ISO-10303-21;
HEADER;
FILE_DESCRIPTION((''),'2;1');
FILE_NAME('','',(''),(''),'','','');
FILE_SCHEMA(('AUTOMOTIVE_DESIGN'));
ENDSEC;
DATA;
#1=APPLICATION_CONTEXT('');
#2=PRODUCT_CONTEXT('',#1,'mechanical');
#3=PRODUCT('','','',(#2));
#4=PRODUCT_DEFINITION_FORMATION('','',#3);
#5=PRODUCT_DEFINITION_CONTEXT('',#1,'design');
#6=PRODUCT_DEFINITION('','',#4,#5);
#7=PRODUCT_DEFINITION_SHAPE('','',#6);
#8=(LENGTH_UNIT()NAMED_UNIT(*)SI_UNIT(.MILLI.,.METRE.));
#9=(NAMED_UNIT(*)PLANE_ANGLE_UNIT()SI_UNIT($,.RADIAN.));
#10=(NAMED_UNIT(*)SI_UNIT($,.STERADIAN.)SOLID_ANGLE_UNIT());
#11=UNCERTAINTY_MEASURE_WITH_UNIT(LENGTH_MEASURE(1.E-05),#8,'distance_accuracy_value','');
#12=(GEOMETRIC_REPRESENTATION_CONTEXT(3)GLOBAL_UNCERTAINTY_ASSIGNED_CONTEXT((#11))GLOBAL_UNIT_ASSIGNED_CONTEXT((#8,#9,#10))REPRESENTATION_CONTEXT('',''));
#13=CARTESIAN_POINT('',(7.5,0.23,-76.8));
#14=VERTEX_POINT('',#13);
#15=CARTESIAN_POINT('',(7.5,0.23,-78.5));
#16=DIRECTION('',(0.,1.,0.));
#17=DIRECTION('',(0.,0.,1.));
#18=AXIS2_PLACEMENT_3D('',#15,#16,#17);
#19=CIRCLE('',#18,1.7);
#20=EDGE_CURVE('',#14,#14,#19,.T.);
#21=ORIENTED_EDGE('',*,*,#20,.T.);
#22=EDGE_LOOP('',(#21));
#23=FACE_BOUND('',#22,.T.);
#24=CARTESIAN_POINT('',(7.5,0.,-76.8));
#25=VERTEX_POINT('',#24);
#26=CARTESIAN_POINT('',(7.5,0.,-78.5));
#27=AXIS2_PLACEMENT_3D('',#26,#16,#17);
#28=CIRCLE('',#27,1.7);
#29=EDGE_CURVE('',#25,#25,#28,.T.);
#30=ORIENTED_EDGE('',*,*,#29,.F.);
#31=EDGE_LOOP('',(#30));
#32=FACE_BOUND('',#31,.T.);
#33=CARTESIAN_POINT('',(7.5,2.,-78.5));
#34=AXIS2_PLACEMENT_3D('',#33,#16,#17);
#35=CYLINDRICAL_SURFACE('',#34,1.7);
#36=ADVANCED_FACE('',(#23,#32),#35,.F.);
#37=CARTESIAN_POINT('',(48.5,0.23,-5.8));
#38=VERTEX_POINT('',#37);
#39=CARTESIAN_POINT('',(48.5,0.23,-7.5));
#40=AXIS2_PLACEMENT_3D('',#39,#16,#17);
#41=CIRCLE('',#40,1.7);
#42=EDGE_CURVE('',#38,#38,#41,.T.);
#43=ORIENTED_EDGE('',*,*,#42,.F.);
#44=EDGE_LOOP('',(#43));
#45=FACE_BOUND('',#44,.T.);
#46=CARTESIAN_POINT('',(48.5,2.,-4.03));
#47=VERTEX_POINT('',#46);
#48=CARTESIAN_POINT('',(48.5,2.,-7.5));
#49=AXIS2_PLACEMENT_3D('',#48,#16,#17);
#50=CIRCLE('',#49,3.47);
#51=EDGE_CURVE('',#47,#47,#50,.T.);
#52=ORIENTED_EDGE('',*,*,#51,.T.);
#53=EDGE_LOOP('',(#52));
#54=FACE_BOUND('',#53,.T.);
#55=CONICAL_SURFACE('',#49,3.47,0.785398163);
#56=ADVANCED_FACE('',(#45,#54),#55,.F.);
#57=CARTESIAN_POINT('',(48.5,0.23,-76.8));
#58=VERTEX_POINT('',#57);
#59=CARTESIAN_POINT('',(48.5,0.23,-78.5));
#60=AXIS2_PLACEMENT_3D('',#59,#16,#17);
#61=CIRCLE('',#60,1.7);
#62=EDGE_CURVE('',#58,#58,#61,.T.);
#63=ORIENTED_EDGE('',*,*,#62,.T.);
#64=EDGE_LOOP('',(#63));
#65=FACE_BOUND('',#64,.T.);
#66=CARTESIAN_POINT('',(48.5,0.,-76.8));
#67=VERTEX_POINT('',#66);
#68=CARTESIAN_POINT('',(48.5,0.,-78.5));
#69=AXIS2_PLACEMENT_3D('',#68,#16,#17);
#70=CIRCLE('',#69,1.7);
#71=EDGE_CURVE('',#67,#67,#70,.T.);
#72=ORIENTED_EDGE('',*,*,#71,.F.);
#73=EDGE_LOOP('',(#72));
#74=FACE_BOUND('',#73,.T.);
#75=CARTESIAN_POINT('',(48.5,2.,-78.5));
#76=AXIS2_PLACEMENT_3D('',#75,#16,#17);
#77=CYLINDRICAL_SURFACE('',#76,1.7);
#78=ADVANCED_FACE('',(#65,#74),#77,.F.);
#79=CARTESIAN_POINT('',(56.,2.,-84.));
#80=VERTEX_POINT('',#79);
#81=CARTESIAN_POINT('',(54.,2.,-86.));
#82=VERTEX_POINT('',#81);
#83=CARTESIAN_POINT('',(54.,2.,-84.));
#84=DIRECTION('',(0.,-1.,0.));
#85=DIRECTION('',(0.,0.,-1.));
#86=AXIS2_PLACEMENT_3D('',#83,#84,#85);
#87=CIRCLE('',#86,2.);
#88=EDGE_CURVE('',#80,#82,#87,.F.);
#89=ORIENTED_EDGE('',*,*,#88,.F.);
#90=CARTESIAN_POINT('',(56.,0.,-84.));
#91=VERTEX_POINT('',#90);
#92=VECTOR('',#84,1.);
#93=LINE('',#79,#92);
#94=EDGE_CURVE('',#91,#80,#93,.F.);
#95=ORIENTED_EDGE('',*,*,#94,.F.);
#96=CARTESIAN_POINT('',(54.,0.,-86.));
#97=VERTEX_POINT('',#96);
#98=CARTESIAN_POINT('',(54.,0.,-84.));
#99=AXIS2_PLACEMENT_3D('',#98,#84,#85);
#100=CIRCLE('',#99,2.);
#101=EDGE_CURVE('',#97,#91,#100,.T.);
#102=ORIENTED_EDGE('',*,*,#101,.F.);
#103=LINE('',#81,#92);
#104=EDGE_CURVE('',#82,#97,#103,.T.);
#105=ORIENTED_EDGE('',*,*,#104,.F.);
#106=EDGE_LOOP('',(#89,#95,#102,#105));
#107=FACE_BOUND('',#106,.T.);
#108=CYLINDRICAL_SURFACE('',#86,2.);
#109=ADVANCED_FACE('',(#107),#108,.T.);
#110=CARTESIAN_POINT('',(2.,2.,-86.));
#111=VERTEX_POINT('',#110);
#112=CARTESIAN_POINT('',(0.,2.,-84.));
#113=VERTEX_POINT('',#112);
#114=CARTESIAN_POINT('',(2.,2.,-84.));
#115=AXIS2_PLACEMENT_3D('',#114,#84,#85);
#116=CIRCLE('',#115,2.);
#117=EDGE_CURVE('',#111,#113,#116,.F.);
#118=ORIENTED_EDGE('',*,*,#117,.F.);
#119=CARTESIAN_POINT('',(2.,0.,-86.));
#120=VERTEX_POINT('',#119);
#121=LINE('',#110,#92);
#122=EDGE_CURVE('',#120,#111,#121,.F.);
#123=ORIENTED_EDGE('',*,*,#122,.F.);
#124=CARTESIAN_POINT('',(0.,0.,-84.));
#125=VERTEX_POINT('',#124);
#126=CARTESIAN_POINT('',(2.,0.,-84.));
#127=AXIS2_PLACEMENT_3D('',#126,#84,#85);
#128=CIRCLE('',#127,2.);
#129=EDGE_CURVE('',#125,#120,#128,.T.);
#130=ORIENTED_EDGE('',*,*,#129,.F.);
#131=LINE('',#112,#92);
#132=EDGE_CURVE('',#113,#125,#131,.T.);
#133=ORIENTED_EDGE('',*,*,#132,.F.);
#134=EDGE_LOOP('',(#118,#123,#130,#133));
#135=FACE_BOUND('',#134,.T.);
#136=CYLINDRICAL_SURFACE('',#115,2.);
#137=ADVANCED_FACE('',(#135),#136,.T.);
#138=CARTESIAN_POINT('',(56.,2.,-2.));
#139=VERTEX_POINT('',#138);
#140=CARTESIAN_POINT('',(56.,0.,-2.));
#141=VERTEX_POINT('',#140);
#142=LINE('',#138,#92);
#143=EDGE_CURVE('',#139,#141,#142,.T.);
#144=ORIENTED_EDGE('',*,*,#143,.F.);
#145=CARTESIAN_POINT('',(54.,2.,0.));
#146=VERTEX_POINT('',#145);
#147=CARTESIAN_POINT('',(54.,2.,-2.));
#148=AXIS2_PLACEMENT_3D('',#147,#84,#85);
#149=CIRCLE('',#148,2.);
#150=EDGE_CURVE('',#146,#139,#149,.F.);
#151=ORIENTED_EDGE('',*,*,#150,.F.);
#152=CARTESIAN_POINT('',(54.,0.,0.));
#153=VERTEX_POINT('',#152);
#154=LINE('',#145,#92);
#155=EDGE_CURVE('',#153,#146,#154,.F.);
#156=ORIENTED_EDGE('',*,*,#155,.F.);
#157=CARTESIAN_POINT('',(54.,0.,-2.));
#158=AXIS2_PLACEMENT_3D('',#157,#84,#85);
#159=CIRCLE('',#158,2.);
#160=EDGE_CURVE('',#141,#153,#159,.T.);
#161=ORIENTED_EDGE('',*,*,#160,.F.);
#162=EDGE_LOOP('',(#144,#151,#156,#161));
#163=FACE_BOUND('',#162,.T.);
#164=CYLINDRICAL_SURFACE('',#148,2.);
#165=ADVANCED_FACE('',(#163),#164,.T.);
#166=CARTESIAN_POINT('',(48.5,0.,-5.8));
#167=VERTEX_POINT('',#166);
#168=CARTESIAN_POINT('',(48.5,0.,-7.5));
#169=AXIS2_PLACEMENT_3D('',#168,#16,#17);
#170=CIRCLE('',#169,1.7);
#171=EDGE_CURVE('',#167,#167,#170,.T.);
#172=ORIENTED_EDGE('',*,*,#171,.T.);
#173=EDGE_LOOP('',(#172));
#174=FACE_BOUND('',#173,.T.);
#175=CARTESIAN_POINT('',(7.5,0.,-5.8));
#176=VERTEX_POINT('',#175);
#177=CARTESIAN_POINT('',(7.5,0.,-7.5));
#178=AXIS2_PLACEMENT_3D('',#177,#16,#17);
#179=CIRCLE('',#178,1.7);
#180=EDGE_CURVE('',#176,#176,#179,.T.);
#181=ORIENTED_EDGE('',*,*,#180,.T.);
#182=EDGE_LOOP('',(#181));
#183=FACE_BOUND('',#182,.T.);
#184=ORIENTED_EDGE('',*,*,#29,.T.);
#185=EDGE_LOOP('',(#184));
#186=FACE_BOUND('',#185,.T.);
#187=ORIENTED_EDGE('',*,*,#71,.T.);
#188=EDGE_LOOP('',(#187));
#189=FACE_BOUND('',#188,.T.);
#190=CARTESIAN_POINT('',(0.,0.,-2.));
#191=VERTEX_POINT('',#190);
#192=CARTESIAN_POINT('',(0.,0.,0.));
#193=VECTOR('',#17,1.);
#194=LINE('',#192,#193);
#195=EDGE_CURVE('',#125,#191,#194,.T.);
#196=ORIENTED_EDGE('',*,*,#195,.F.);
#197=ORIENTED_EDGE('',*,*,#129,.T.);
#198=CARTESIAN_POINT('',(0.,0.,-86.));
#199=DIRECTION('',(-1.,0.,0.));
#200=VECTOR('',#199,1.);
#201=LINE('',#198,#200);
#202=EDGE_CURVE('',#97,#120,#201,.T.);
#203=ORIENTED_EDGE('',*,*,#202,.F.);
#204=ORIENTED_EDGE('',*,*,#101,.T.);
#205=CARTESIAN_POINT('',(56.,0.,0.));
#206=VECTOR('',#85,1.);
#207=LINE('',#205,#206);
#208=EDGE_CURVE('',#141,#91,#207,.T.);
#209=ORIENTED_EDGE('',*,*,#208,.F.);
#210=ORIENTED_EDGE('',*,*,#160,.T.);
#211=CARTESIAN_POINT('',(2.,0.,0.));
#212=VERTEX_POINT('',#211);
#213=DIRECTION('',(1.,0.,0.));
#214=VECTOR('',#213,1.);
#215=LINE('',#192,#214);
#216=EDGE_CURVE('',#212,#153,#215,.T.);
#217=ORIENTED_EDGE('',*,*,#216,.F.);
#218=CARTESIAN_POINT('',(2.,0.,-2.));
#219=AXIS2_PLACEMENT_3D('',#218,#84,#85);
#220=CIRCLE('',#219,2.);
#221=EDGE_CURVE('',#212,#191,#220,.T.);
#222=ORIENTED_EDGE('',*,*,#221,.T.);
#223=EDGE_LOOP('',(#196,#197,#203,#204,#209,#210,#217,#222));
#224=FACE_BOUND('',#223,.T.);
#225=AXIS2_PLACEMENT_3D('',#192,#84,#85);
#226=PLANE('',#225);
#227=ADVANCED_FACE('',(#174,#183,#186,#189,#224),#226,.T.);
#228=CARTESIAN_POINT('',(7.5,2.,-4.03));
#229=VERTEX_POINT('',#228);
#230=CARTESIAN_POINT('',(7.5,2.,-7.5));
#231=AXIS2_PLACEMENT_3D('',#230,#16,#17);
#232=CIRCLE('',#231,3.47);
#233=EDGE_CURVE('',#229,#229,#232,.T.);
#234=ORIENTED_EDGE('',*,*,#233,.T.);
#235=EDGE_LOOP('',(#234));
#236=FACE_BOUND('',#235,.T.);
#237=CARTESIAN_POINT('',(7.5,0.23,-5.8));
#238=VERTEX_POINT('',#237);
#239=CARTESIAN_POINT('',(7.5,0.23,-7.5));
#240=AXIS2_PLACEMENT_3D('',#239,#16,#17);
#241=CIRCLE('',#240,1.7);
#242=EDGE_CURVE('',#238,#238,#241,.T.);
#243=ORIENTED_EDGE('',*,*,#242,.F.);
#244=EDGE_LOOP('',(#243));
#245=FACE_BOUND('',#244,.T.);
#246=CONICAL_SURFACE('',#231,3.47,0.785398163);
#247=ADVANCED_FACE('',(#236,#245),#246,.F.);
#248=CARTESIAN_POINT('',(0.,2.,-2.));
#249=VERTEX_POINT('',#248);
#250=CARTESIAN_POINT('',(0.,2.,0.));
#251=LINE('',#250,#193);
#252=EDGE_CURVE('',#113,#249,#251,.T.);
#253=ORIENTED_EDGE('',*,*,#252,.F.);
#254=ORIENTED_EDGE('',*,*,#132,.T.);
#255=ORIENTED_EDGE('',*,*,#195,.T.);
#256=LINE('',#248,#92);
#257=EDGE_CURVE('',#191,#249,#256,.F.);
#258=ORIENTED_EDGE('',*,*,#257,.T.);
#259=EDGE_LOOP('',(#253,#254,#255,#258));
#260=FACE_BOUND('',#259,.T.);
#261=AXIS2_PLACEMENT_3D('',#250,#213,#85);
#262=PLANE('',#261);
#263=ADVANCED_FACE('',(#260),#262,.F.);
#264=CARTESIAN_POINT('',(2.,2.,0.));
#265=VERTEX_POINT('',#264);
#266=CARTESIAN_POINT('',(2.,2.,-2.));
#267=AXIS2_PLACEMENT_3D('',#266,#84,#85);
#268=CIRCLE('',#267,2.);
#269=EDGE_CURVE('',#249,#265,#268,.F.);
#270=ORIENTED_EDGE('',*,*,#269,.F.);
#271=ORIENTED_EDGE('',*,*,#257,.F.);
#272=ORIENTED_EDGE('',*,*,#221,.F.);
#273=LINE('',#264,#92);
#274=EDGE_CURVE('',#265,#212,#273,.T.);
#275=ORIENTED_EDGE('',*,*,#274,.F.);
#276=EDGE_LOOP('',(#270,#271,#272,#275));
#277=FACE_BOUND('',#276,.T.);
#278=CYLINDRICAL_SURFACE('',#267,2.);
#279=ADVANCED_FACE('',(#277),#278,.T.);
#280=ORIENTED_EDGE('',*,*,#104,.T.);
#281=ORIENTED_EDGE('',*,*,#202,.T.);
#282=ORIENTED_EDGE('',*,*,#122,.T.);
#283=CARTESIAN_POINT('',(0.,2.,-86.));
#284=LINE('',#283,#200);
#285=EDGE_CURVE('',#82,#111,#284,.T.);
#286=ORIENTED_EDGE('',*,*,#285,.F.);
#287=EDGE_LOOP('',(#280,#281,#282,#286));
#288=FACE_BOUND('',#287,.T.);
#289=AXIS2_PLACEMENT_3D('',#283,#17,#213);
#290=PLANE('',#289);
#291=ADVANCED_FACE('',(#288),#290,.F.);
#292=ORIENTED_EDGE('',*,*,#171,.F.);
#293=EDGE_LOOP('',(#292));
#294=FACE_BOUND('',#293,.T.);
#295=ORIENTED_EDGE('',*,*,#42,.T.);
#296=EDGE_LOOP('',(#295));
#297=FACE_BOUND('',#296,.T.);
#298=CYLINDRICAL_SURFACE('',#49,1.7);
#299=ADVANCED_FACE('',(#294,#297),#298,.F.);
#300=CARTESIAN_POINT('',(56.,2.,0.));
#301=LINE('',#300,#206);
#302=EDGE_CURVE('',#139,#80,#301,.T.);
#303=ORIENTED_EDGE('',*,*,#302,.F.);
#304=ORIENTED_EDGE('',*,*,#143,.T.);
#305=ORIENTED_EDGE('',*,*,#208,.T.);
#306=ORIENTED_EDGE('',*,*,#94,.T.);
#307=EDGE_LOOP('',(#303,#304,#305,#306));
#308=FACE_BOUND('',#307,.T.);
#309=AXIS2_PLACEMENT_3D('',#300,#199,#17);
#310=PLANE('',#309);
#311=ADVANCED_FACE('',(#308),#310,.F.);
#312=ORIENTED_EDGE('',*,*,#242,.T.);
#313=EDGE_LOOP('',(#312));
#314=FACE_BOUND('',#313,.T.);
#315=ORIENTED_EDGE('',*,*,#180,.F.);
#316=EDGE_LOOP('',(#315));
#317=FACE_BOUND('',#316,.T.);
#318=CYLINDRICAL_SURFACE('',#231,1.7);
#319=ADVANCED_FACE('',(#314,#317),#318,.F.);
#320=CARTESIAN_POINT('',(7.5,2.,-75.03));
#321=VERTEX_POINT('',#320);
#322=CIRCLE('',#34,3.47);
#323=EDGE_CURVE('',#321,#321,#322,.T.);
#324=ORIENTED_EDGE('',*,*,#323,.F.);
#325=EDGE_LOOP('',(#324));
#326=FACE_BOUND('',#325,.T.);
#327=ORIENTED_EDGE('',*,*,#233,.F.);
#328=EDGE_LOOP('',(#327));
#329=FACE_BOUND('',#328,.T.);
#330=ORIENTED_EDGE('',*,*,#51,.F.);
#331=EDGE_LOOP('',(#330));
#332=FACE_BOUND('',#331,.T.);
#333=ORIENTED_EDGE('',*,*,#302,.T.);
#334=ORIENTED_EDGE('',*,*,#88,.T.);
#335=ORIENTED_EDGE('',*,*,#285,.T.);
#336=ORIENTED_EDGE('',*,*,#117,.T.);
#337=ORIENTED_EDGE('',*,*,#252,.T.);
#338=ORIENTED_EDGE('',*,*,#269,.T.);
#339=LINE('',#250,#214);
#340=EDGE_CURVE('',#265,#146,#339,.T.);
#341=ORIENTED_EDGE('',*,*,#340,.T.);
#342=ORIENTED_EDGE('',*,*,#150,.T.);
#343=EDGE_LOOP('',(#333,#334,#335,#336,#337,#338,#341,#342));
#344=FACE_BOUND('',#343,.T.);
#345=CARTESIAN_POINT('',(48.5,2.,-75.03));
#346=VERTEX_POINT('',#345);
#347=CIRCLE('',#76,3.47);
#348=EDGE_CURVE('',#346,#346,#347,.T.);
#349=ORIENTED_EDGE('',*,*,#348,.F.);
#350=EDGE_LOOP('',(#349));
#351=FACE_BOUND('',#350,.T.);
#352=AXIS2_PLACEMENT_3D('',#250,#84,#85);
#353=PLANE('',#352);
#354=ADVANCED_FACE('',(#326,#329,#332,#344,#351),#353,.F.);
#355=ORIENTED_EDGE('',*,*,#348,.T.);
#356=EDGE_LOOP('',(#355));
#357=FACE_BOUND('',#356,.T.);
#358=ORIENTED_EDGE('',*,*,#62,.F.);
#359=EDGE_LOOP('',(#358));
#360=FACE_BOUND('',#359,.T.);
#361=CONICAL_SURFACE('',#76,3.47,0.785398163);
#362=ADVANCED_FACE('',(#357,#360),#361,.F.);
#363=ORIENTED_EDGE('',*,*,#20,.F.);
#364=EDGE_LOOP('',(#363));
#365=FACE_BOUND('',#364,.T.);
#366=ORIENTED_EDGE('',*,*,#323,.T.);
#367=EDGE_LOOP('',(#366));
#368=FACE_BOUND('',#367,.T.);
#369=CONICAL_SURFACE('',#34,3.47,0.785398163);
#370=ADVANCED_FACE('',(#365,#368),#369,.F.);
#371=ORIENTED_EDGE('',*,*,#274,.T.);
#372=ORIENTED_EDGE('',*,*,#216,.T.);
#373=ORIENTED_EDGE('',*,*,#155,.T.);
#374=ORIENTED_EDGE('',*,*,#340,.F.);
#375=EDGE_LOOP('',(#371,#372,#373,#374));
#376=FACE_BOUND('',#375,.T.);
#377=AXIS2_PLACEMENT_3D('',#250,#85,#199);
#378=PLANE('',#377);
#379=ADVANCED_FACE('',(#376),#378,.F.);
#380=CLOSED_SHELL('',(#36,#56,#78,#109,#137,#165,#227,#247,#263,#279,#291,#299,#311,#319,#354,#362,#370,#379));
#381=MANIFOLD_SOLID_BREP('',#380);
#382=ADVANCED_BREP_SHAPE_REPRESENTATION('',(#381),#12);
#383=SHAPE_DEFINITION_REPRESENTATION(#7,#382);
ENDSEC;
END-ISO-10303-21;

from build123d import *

# Parameters (mm, degrees)
SKIZZE1_W                                   = 56
SKIZZE1_H                                   = 86
AUFSATZ_LINEAR_AUSTRAGEN1_DEPTH             = 2
VERRUNDUNG1_R                               = 2
FORMSENKUNG_F_R_M3_SENKSCHRAUBE_MIT_2_COUNT = 2
FORMSENKUNG_F_R_M3_SENKSCHRAUBE_MIT_2_PITCH = 81.987803971
FORMSENKUNG_F_R_M3_SENKSCHRAUBE_MIT_3_COUNT = 2
FORMSENKUNG_F_R_M3_SENKSCHRAUBE_MIT_3_PITCH = 71
FORMSENKUNG_F_R_M3_SENKSCHRAUBE_MIT_4_COUNT = 2
FORMSENKUNG_F_R_M3_SENKSCHRAUBE_MIT_4_PITCH = 41


with BuildPart() as part:
    # Skizze1 → Aufsatz-Linear austragen1 (new body)
    with BuildSketch(Plane(origin=(0, 0, 0), x_dir=(1, 0, 0), z_dir=(0, 1, 0))):
        with Locations((28, 43)):
            Rectangle(SKIZZE1_W, SKIZZE1_H)
    extrude(amount=AUFSATZ_LINEAR_AUSTRAGEN1_DEPTH)

    # Verrundung1
    verrundung1_edges = [part.edges().sort_by_distance(p)[0] for p in [
        (0, 1, -86),
        (56, 1, -86),
        (56, 1, 0),
        (0, 1, 0),
    ]]
    fillet(verrundung1_edges, radius=VERRUNDUNG1_R)

    # Skizze3 → Formsenkung für M3 Senkschraube mit Innensechskant1 (revolve, cut)
    with BuildSketch(Plane(origin=(7.5, 2, -7.5), x_dir=(0, 0, 1), z_dir=(1, 0, 0))):
        Polygon((0, 0), (0, 2), (1.7, 2), (1.7, 1.77), (3.47, 0), align=None)
    formsenkung_f_r_m3_senkschraube_mit_inne = revolve(axis=Axis((7.5, 8.35, -7.5), (0, -1, 0)), mode=Mode.SUBTRACT)

    # Formsenkung f_r M3 Senkschraube mit  2: Formsenkung für M3 Senkschraube mit Innensechskant1 ×2
    with Locations(*[Vector(0.5000743770922673, 0, -0.865982457891487) * (i * FORMSENKUNG_F_R_M3_SENKSCHRAUBE_MIT_2_PITCH) for i in range(1, FORMSENKUNG_F_R_M3_SENKSCHRAUBE_MIT_2_COUNT)]):
        add(formsenkung_f_r_m3_senkschraube_mit_inne, mode=Mode.SUBTRACT)

    # Formsenkung f_r M3 Senkschraube mit  3: Formsenkung für M3 Senkschraube mit Innensechskant1 ×2
    with Locations(*[(0, 0, -i * FORMSENKUNG_F_R_M3_SENKSCHRAUBE_MIT_3_PITCH) for i in range(1, FORMSENKUNG_F_R_M3_SENKSCHRAUBE_MIT_3_COUNT)]):
        add(formsenkung_f_r_m3_senkschraube_mit_inne, mode=Mode.SUBTRACT)

    # Formsenkung f_r M3 Senkschraube mit  4: Formsenkung für M3 Senkschraube mit Innensechskant1 ×2
    with Locations(*[(i * FORMSENKUNG_F_R_M3_SENKSCHRAUBE_MIT_4_PITCH, 0, 0) for i in range(1, FORMSENKUNG_F_R_M3_SENKSCHRAUBE_MIT_4_COUNT)]):
        add(formsenkung_f_r_m3_senkschraube_mit_inne, mode=Mode.SUBTRACT)


solid = part.part
